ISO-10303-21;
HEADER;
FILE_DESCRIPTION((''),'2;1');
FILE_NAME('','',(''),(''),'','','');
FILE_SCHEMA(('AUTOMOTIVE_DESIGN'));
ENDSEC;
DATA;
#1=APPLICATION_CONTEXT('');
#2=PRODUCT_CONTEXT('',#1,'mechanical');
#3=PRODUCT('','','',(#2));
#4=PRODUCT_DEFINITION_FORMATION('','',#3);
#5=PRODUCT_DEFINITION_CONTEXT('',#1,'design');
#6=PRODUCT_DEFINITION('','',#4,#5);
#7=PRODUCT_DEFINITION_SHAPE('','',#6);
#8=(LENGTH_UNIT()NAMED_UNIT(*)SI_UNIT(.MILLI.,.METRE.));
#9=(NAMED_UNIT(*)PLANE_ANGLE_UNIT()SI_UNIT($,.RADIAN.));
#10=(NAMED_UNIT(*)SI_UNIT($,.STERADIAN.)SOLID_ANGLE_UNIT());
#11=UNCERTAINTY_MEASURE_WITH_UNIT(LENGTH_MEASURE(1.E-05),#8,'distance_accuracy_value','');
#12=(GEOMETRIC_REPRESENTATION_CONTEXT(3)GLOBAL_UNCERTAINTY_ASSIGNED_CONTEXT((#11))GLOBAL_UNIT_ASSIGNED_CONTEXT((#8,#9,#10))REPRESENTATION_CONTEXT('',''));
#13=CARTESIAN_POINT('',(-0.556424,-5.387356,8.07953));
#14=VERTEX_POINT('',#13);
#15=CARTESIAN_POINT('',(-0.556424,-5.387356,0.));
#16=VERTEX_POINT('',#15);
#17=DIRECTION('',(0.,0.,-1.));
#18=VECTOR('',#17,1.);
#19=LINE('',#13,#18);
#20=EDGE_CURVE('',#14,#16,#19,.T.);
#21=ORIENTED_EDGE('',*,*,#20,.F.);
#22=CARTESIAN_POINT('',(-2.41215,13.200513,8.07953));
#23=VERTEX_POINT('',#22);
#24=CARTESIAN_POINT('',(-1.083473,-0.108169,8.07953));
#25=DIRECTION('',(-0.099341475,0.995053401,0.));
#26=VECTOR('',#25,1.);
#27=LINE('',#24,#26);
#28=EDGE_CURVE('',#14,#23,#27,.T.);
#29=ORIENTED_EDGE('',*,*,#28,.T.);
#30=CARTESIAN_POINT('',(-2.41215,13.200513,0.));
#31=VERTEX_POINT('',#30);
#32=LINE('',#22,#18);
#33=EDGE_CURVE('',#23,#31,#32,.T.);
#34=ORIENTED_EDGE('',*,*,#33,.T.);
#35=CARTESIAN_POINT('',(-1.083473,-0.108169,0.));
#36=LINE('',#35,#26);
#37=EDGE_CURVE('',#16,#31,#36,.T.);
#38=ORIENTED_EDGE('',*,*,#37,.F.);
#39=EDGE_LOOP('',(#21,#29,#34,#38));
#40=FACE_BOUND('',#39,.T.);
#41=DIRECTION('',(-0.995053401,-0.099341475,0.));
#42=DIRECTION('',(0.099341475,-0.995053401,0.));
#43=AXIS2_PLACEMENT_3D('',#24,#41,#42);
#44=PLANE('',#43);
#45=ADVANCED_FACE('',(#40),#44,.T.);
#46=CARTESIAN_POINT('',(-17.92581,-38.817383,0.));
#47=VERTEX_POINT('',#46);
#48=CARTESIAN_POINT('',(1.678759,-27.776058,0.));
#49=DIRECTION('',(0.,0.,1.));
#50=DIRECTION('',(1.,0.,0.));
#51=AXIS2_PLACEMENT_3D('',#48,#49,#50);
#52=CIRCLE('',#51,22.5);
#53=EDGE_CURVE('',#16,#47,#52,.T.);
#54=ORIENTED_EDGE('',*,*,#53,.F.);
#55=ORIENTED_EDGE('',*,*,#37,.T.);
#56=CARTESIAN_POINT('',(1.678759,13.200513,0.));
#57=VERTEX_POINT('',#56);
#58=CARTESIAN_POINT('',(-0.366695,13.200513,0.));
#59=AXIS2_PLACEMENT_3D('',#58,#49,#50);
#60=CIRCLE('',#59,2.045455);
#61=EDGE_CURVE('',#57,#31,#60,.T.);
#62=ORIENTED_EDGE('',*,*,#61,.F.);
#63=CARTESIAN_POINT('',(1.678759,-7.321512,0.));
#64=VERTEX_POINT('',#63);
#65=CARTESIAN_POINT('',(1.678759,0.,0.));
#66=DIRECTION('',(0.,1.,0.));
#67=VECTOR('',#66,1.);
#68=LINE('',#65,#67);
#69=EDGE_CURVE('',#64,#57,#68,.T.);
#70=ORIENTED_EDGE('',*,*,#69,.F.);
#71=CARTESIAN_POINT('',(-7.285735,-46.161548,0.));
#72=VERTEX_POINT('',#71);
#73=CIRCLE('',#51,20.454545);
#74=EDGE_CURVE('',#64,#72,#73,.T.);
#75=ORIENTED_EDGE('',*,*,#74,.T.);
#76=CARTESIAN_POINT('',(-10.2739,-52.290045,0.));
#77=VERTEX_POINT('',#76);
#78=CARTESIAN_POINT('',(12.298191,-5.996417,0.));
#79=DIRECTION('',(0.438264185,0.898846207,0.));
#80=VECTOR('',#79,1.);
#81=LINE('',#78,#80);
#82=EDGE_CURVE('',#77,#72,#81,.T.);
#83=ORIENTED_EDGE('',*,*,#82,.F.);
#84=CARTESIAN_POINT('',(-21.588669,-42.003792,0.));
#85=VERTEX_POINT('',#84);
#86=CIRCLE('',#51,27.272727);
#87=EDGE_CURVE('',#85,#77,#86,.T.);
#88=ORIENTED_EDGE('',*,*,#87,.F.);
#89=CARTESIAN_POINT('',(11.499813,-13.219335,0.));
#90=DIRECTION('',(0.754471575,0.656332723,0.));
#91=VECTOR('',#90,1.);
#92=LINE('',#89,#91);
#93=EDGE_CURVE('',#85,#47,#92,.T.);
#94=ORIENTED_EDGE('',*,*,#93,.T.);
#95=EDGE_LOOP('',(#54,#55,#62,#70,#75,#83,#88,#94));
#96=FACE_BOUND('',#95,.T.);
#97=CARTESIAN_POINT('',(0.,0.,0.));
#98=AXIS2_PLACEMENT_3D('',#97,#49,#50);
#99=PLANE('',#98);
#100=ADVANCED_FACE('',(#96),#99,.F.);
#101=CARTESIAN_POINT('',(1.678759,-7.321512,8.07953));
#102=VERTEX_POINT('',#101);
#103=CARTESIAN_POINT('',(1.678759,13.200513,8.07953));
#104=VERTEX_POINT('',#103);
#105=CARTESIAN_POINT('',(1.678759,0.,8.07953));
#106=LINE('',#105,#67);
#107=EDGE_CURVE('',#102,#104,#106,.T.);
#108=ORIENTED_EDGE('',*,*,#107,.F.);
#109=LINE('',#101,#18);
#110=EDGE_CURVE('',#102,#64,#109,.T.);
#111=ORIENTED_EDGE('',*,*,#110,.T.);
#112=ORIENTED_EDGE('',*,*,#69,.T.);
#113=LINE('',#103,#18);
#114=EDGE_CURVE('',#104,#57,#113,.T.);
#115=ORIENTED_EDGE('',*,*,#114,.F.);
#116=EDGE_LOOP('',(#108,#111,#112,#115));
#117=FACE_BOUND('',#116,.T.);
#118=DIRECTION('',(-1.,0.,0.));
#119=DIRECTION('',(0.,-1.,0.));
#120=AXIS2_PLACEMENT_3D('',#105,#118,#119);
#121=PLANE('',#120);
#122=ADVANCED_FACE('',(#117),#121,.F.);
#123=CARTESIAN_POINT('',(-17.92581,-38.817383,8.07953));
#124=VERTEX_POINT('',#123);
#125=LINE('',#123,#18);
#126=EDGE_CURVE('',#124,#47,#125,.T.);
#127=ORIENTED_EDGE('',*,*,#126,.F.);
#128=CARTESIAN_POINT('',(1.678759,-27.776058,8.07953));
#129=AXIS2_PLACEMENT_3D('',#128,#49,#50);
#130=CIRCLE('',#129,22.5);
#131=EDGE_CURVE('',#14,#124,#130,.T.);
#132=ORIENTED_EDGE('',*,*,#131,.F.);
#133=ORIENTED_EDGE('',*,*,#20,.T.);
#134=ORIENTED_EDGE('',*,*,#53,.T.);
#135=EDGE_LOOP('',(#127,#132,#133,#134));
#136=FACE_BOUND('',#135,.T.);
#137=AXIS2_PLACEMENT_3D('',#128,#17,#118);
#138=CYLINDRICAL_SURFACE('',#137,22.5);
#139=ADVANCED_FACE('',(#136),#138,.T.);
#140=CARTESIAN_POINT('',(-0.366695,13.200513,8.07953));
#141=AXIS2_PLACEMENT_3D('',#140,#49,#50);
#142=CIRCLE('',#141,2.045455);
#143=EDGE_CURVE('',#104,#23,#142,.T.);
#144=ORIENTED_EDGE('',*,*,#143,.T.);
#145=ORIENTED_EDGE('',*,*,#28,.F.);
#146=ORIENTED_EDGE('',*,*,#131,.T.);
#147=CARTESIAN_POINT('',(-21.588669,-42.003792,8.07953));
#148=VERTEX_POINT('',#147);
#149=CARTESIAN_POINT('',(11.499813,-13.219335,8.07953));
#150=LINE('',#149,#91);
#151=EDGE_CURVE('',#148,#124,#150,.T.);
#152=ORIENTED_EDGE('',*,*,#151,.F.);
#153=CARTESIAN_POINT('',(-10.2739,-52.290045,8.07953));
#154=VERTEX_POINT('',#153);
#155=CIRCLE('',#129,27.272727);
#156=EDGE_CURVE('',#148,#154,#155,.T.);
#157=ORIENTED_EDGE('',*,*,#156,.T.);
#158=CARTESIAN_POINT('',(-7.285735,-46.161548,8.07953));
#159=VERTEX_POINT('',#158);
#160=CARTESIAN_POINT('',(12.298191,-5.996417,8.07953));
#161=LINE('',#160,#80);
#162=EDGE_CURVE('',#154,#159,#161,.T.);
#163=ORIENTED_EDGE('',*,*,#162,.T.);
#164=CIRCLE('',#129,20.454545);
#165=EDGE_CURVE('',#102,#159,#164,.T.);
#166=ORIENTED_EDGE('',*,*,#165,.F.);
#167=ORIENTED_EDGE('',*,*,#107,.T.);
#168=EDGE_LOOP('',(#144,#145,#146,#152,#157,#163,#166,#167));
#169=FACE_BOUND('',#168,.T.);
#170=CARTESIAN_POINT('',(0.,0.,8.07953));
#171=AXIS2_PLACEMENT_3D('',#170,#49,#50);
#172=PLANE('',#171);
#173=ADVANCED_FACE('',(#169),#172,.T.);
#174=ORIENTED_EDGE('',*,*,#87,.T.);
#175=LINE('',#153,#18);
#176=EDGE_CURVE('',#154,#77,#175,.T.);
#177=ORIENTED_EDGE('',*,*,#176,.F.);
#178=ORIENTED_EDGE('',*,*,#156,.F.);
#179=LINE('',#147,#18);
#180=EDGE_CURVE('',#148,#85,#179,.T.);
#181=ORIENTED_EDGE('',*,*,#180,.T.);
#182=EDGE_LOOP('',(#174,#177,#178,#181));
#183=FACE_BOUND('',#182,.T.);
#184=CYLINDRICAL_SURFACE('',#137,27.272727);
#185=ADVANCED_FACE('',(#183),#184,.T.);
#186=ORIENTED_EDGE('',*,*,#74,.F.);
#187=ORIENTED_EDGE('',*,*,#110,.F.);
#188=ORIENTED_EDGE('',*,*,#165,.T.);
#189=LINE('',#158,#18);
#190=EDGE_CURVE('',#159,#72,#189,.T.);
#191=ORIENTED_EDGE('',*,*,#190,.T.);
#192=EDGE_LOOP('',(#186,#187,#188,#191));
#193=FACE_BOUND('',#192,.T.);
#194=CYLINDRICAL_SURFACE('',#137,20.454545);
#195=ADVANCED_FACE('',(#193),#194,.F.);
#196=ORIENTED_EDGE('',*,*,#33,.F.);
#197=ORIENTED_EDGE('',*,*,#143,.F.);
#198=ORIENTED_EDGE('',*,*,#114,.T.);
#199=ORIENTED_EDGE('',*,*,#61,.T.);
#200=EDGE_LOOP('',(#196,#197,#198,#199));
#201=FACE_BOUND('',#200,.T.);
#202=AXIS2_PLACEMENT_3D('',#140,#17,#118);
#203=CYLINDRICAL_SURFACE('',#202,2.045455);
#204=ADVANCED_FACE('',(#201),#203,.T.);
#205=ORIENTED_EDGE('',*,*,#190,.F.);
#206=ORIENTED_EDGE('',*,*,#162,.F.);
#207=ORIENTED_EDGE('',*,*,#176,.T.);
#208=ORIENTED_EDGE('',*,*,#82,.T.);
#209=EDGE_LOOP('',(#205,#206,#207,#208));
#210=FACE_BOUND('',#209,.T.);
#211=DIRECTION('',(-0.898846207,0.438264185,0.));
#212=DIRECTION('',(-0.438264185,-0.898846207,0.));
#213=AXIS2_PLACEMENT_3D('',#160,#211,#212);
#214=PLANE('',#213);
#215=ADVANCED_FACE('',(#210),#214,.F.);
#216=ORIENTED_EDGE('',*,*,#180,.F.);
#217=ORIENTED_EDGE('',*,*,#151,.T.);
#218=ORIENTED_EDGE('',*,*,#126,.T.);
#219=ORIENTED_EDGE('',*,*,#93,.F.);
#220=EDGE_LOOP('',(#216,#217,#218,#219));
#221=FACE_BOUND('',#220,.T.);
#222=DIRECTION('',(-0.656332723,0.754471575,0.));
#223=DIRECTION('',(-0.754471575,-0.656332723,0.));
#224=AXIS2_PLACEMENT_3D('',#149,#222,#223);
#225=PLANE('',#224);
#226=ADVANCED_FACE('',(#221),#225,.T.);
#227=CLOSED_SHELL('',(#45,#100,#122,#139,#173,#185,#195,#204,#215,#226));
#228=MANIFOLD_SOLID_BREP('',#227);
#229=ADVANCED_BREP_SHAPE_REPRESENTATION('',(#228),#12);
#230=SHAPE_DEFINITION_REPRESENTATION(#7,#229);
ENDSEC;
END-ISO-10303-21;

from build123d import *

# Parameters (mm, degrees)
RESSALTO_EXTRUS_O1_DEPTH = 11.849977
ESCALA1_SCALE            = 0.681818182


with BuildPart() as part:
    # Esboço1 → Ressalto-extrusão1 (new body)
    with BuildSketch(Plane.XY):
        with BuildLine():
            ThreePointArc((-10.685745363, -67.703603991), (-26.769323244, -33.991425444), (2.462180193, -10.738217779))
            Line((2.462180193, -10.738217779), (2.462180193, -0.672237217))
            Line((2.462180193, -0.672237217), (2.462180193, 19.360753065))
            ThreePointArc((2.462180193, 19.360753065), (-0.537819807, 22.360753065), (-3.537819807, 19.360753065))
            Line((-3.537819807, 19.360753065), (-3.478607435, 18.767652629))
            Line((-3.478607435, 18.767652629), (-0.816088481, -7.901455538))
            ThreePointArc((-0.816088481, -7.901455538), (-26.821074104, -25.523388901), (-26.291187743, -56.932162089))
            Line((-26.291187743, -56.932162089), (-31.663381791, -61.605561148))
            ThreePointArc((-31.663381791, -61.605561148), (-24.444874339, -70.335690922), (-15.068387215, -76.692066062))
            Line((-15.068387215, -76.692066062), (-10.685745363, -67.703603991))
        make_face()
    extrude(amount=RESSALTO_EXTRUS_O1_DEPTH)


with BuildPart() as part_1:
    # Escala1: scaled about (0, 0, 0)
    add(part.part.scale(ESCALA1_SCALE))


solid = part_1.part
